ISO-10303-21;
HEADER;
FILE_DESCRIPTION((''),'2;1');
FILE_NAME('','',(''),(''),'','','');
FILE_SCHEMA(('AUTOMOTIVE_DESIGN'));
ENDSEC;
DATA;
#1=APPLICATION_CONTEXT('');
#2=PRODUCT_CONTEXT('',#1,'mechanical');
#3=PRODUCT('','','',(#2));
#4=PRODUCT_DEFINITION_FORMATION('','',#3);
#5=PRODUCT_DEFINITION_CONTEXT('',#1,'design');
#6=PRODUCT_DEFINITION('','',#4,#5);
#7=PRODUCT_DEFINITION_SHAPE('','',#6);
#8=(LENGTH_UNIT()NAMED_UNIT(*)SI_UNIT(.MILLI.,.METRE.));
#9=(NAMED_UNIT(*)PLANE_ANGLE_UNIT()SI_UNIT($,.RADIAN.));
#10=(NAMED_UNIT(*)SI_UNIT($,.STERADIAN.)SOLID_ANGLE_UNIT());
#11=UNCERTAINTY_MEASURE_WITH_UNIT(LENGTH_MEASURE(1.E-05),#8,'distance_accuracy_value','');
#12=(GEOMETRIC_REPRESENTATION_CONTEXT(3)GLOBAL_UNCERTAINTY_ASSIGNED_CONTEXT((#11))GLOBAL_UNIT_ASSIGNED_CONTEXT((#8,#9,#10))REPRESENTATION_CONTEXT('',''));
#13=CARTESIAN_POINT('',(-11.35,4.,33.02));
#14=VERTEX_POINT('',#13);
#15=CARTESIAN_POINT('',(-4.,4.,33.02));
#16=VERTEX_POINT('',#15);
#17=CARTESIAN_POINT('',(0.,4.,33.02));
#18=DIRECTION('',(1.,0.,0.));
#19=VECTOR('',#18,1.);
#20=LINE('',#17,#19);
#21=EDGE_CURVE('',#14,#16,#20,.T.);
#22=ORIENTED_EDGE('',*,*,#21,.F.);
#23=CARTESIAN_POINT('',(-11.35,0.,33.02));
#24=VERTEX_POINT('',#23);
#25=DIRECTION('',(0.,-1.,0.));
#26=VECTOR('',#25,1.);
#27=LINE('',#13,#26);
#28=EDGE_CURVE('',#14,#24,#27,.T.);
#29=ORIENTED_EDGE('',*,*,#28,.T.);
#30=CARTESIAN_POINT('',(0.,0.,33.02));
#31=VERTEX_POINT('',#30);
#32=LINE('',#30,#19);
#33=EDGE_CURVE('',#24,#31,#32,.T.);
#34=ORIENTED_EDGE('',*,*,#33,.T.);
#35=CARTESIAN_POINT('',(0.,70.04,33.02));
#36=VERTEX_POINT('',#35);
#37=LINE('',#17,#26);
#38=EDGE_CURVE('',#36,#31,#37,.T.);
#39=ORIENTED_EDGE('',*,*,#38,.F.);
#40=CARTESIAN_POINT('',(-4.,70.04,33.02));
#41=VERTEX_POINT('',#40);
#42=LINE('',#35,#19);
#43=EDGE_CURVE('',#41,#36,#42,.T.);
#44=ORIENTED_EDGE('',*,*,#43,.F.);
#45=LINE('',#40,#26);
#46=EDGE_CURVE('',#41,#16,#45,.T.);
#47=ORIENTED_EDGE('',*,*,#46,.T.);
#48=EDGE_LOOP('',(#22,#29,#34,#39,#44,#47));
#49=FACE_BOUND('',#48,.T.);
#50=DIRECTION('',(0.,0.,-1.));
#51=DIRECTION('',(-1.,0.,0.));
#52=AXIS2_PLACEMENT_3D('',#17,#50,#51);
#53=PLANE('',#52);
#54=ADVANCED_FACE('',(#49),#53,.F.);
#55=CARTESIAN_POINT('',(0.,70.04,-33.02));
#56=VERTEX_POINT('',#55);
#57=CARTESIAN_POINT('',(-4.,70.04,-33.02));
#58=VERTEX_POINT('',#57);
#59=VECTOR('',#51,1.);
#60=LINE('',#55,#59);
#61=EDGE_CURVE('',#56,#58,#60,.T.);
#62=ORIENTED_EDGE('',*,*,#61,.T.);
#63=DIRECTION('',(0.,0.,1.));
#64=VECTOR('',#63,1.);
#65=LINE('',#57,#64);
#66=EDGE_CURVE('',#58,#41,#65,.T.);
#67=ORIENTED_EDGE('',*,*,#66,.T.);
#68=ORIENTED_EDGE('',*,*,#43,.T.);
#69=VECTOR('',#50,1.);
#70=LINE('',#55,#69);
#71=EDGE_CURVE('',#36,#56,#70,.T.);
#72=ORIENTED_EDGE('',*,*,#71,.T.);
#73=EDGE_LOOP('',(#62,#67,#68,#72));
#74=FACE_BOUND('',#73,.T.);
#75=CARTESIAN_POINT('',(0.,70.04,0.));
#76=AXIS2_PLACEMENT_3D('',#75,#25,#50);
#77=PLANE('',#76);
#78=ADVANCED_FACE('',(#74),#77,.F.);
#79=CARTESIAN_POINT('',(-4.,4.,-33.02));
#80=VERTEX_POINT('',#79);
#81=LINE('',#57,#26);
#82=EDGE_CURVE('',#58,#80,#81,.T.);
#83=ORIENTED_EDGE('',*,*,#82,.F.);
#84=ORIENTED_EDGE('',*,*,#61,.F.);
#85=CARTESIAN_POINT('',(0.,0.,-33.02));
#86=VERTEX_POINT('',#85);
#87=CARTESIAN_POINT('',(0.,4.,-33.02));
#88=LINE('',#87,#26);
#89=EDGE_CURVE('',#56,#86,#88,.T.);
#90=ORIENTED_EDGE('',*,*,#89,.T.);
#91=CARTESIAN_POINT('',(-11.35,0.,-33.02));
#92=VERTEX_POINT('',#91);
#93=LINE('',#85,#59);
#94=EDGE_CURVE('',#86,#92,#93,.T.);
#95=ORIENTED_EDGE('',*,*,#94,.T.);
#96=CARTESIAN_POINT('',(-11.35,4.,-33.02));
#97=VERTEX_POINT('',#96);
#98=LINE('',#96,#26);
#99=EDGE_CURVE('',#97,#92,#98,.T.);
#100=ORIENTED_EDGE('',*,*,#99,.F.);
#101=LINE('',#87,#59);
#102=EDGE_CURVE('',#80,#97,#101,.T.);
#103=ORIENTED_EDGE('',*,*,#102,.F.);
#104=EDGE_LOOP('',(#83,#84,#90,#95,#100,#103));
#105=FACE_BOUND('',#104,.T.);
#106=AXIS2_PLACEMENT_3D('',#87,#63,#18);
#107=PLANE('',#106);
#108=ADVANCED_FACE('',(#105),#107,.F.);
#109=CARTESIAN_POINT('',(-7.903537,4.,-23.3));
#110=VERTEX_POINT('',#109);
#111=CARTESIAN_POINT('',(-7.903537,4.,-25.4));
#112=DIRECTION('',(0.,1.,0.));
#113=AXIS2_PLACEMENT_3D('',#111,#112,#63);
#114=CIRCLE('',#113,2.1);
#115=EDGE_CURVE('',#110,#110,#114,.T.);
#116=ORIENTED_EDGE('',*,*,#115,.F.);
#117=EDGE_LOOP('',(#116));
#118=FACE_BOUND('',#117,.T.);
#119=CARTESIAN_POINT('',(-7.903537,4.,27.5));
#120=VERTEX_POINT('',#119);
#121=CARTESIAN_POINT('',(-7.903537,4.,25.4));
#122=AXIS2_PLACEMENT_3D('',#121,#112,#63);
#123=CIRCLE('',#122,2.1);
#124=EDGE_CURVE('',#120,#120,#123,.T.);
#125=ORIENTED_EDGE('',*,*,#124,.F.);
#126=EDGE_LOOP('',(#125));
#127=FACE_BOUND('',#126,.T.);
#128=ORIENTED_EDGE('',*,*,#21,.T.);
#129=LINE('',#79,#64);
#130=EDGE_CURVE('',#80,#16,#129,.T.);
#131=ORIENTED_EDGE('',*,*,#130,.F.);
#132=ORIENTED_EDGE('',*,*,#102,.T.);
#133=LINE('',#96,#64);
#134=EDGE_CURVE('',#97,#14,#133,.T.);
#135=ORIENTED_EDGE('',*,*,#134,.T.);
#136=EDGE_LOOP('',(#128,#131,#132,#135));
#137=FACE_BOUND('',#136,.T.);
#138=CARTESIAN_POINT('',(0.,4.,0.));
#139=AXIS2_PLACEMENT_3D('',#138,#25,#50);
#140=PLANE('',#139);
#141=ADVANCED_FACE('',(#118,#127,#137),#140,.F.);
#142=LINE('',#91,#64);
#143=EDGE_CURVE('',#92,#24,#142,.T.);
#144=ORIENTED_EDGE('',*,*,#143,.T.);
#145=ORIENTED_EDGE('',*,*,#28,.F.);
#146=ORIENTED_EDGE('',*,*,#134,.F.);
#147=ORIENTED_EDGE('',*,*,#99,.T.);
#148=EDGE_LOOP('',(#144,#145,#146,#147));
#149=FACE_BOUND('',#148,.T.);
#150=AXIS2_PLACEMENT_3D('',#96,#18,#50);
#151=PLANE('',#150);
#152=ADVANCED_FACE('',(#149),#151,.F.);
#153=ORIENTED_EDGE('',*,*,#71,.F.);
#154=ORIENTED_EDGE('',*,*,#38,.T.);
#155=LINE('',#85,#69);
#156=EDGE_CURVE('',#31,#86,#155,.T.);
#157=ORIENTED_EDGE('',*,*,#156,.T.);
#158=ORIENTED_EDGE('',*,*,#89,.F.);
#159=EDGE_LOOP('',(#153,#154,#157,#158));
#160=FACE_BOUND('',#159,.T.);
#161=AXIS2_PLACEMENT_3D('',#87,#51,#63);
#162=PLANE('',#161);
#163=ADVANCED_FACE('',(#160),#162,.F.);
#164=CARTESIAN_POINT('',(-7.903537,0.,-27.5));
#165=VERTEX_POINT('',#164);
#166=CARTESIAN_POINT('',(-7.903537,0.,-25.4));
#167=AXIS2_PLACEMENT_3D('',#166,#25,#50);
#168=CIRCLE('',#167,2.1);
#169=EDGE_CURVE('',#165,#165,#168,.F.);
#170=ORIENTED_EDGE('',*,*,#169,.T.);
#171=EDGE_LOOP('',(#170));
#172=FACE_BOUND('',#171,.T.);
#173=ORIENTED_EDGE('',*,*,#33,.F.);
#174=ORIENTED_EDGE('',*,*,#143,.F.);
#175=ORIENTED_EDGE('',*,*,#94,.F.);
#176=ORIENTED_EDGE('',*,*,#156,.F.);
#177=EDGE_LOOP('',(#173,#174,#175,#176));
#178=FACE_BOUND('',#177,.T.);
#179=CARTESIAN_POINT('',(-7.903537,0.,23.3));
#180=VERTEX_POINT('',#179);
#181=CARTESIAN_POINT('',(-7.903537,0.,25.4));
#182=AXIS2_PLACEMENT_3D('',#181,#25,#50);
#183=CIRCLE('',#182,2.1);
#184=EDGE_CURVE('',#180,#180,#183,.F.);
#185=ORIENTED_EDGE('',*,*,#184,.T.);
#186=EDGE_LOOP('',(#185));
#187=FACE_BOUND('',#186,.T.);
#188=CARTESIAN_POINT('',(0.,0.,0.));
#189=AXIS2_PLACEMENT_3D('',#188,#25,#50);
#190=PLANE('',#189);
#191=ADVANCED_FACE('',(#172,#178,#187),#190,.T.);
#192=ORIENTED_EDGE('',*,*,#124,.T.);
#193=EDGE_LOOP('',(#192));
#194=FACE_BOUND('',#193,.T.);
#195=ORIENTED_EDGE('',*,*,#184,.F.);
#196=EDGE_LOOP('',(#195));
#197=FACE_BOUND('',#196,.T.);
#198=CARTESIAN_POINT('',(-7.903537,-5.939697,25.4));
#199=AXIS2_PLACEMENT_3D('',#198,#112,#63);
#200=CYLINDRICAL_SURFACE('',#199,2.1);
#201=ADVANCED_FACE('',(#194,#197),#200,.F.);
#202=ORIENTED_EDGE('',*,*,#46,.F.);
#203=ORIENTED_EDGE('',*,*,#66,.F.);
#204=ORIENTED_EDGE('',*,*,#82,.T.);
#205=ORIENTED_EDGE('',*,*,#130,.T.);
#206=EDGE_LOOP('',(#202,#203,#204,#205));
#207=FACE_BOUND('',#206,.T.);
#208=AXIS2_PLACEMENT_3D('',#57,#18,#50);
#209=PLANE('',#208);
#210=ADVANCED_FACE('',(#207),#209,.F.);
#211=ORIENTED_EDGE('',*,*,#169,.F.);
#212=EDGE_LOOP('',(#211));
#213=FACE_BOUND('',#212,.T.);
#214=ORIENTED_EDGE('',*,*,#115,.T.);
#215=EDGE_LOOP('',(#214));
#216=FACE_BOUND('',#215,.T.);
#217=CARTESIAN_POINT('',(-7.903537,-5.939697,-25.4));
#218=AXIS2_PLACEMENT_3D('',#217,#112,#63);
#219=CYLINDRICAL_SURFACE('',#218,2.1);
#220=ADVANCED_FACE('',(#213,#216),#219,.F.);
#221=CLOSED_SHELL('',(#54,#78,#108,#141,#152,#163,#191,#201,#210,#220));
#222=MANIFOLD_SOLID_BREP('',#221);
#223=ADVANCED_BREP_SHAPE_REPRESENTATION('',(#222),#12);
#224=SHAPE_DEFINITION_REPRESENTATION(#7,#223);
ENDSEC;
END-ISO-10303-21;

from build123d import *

# Parameters (mm, degrees)
SKETCH1_W           = 11.35
SKETCH1_H           = 66.04
BOSS_EXTRUDE1_DEPTH = 4
SKETCH2_W           = 4
SKETCH2_H           = 66.04
BOSS_EXTRUDE2_DEPTH = 66.04
SKETCH3_R           = 2.1
CUT_EXTRUDE1_DEPTH  = 4


with BuildPart() as part:
    # Sketch1 → Boss-Extrude1 (new body)
    with BuildSketch(Plane(origin=(0, 0, 0), x_dir=(1, 0, 0), z_dir=(0, 1, 0))):
        with Locations((-5.675, 0)):
            Rectangle(SKETCH1_W, SKETCH1_H)
    extrude(amount=BOSS_EXTRUDE1_DEPTH)

    # Sketch2 → Boss-Extrude2 (add)
    with BuildSketch(Plane(origin=(0, 4, 0), x_dir=(1, 0, 0), z_dir=(0, 1, 0))):
        with Locations((-2, 0)):
            Rectangle(SKETCH2_W, SKETCH2_H)
    extrude(amount=BOSS_EXTRUDE2_DEPTH)

    # Sketch3 → Cut-Extrude1 (cut)
    with BuildSketch(Plane(origin=(0, 4, 0), x_dir=(1, 0, 0), z_dir=(0, 1, 0))):
        with Locations(Location((-7.903537156, 25.4, 0), (0, 0, 270))):
            Circle(SKETCH3_R)
        with Locations(Location((-7.903537156, -25.4, 0), (0, 0, 270))):
            Circle(SKETCH3_R)
    extrude(amount=-CUT_EXTRUDE1_DEPTH, mode=Mode.SUBTRACT)


solid = part.part
